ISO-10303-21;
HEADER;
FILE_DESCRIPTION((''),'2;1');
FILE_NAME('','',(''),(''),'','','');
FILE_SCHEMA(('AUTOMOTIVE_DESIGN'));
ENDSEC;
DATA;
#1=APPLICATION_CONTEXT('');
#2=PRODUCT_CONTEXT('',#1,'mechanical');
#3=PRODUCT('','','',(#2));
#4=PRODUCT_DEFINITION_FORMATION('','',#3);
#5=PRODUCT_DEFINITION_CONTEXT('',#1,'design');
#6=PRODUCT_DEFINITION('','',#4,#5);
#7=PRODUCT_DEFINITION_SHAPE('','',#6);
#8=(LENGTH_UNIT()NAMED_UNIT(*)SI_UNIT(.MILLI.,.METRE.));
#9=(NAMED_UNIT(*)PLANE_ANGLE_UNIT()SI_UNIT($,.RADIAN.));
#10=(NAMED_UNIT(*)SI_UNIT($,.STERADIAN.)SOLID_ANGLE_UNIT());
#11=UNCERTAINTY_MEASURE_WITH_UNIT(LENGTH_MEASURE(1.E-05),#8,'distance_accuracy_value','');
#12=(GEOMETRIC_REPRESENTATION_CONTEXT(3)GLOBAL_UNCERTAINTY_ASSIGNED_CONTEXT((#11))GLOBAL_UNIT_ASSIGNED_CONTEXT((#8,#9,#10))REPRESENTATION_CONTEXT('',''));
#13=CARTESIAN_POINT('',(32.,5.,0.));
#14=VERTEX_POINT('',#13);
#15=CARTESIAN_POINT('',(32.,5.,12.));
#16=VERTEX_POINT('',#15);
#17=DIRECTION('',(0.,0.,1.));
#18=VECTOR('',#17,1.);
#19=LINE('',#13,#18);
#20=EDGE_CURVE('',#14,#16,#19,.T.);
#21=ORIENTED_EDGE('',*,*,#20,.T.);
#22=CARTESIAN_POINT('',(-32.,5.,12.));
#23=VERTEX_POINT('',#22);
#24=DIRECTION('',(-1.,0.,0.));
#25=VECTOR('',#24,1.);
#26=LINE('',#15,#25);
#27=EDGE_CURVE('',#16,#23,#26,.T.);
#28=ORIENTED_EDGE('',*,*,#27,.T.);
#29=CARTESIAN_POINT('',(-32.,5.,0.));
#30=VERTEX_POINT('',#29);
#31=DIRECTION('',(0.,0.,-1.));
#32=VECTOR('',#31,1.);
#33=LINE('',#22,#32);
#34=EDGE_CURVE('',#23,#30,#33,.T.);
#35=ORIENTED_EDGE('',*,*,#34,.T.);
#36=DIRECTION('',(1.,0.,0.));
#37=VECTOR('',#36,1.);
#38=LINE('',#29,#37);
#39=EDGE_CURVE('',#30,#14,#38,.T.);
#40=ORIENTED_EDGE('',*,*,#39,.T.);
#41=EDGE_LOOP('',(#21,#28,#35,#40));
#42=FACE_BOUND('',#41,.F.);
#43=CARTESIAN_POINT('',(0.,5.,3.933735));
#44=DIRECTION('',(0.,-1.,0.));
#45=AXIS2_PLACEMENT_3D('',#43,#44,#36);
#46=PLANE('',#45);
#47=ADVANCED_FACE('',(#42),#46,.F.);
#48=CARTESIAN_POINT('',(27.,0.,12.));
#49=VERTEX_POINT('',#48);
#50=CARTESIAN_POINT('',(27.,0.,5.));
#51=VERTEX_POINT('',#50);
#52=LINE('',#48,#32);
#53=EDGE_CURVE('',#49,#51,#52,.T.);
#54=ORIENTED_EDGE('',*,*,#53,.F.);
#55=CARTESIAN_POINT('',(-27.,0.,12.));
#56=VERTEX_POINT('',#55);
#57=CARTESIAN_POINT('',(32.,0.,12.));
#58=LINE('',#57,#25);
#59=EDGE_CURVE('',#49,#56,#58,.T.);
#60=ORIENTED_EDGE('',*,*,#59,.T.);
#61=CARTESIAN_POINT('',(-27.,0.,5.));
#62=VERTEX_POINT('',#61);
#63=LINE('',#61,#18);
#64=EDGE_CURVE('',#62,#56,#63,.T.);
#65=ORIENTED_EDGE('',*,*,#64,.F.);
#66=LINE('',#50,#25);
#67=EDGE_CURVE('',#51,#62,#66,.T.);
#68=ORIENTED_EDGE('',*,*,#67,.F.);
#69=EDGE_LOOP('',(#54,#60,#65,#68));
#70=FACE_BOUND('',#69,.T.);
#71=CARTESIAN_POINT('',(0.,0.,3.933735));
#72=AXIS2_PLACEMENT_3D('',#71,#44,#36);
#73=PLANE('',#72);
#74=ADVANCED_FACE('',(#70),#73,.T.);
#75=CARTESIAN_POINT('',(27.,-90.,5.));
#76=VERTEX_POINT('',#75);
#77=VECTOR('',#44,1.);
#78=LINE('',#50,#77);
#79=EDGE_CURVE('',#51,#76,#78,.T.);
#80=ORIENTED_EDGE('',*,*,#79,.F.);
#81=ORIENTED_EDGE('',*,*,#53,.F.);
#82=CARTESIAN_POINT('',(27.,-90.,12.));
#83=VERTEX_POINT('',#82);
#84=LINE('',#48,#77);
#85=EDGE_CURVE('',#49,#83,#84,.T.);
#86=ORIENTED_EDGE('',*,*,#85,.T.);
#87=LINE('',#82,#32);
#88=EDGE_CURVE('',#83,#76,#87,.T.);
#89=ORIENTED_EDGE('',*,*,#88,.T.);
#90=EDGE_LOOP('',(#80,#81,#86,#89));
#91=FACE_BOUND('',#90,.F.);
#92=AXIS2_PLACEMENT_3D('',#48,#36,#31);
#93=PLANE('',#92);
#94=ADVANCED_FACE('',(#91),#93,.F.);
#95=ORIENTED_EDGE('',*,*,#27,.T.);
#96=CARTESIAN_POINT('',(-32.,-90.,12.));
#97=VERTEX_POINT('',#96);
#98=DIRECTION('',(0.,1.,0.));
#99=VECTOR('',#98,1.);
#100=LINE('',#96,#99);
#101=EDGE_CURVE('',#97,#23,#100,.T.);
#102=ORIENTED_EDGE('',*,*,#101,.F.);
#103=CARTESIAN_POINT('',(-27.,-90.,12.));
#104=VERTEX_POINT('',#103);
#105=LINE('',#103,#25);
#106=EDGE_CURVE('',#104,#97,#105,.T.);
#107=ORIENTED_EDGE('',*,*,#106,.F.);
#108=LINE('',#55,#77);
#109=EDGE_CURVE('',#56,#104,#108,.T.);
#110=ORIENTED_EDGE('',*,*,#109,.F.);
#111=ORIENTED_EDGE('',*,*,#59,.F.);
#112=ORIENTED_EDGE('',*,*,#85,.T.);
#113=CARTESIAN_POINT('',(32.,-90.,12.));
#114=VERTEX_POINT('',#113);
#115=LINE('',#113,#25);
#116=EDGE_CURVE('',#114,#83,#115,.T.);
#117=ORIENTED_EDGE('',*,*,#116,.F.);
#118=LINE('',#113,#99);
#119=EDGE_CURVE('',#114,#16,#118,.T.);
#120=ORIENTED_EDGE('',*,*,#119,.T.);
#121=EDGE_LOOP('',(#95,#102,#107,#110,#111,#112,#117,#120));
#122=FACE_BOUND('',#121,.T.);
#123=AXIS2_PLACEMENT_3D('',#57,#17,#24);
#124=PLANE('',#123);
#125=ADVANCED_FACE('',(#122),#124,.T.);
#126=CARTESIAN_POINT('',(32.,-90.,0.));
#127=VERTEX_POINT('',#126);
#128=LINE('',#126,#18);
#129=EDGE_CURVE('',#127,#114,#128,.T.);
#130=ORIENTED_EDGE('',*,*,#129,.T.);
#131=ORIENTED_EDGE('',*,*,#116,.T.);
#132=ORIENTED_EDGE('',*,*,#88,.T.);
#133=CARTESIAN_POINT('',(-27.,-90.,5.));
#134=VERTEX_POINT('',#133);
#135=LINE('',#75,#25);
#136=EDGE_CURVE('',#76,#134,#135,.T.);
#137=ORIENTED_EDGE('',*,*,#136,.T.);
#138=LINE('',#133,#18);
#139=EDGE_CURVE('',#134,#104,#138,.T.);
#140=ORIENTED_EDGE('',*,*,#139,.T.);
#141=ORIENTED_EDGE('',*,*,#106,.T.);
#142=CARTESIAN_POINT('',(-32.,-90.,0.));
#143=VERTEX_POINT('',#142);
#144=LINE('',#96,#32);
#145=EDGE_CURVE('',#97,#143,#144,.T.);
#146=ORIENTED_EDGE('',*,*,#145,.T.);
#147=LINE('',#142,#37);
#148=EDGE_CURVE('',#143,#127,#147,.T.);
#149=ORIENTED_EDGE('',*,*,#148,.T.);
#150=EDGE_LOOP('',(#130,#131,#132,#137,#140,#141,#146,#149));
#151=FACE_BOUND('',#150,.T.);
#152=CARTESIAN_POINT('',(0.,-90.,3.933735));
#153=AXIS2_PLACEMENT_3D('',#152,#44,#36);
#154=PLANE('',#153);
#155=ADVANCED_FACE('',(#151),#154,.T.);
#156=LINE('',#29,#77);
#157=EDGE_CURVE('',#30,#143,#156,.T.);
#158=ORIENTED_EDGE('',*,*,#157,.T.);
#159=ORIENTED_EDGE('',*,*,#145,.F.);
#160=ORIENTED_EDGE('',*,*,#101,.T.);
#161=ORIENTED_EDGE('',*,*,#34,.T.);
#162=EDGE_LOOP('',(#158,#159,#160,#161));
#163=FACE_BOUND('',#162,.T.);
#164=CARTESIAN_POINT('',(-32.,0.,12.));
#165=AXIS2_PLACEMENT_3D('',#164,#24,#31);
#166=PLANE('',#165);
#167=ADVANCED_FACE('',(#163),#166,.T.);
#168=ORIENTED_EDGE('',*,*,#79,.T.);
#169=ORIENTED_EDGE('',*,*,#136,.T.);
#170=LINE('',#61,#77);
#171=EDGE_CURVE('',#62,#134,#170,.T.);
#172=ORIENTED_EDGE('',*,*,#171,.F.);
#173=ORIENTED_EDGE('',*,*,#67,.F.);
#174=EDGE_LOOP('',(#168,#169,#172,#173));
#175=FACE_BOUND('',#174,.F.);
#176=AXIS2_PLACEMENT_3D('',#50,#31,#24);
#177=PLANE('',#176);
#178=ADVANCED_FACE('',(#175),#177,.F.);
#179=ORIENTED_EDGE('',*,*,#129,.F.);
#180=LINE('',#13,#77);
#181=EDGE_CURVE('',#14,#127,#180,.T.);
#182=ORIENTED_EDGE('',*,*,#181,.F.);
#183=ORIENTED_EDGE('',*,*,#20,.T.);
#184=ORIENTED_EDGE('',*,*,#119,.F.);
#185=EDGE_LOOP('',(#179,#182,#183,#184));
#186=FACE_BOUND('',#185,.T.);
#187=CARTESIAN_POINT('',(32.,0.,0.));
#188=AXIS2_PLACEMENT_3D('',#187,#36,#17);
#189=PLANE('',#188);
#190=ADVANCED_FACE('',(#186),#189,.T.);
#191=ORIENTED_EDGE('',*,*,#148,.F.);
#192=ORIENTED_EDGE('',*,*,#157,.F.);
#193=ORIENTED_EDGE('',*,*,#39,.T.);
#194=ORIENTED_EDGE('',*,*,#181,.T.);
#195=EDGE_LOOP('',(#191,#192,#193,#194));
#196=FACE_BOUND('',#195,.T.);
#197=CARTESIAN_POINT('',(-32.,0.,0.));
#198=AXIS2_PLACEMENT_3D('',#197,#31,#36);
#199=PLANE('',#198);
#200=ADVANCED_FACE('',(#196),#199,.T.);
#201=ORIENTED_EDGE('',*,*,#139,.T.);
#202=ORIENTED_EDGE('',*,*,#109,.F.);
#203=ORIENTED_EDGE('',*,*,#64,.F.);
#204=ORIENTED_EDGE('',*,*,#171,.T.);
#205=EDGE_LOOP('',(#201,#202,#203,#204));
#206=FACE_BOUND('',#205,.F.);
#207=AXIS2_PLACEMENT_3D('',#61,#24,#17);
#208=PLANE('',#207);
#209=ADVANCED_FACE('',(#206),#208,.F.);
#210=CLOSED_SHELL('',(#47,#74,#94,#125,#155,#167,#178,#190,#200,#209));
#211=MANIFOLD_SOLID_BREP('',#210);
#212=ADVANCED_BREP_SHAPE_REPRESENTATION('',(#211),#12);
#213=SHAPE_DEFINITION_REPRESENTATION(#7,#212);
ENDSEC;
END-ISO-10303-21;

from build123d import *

# Parameters (mm, degrees)
F1_DEPTH = 90
F2_DEPTH = 5


with BuildPart() as f1:
    # F0 (on Front) → F1 (new body)
    with BuildSketch(Plane.XZ):
        Polygon((-27, 12), (-32, 12), (-32, 0), (0, 0), (32, 0), (32, 12), (27, 12), (27, 5), (0, 5), (-27, 5), align=None)
    extrude(amount=F1_DEPTH)

    # F0 (on Front) → F2 (join)
    with BuildSketch(Plane.XZ):
        Polygon((-27, 12), (-32, 12), (-32, 0), (0, 0), (32, 0), (32, 12), (27, 12), (27, 5), (0, 5), (-27, 5), align=None)
        Polygon((27, 12), (-27, 12), (-27, 5), (0, 5), (27, 5), align=None)
    extrude(amount=-F2_DEPTH)


solid = f1.part
